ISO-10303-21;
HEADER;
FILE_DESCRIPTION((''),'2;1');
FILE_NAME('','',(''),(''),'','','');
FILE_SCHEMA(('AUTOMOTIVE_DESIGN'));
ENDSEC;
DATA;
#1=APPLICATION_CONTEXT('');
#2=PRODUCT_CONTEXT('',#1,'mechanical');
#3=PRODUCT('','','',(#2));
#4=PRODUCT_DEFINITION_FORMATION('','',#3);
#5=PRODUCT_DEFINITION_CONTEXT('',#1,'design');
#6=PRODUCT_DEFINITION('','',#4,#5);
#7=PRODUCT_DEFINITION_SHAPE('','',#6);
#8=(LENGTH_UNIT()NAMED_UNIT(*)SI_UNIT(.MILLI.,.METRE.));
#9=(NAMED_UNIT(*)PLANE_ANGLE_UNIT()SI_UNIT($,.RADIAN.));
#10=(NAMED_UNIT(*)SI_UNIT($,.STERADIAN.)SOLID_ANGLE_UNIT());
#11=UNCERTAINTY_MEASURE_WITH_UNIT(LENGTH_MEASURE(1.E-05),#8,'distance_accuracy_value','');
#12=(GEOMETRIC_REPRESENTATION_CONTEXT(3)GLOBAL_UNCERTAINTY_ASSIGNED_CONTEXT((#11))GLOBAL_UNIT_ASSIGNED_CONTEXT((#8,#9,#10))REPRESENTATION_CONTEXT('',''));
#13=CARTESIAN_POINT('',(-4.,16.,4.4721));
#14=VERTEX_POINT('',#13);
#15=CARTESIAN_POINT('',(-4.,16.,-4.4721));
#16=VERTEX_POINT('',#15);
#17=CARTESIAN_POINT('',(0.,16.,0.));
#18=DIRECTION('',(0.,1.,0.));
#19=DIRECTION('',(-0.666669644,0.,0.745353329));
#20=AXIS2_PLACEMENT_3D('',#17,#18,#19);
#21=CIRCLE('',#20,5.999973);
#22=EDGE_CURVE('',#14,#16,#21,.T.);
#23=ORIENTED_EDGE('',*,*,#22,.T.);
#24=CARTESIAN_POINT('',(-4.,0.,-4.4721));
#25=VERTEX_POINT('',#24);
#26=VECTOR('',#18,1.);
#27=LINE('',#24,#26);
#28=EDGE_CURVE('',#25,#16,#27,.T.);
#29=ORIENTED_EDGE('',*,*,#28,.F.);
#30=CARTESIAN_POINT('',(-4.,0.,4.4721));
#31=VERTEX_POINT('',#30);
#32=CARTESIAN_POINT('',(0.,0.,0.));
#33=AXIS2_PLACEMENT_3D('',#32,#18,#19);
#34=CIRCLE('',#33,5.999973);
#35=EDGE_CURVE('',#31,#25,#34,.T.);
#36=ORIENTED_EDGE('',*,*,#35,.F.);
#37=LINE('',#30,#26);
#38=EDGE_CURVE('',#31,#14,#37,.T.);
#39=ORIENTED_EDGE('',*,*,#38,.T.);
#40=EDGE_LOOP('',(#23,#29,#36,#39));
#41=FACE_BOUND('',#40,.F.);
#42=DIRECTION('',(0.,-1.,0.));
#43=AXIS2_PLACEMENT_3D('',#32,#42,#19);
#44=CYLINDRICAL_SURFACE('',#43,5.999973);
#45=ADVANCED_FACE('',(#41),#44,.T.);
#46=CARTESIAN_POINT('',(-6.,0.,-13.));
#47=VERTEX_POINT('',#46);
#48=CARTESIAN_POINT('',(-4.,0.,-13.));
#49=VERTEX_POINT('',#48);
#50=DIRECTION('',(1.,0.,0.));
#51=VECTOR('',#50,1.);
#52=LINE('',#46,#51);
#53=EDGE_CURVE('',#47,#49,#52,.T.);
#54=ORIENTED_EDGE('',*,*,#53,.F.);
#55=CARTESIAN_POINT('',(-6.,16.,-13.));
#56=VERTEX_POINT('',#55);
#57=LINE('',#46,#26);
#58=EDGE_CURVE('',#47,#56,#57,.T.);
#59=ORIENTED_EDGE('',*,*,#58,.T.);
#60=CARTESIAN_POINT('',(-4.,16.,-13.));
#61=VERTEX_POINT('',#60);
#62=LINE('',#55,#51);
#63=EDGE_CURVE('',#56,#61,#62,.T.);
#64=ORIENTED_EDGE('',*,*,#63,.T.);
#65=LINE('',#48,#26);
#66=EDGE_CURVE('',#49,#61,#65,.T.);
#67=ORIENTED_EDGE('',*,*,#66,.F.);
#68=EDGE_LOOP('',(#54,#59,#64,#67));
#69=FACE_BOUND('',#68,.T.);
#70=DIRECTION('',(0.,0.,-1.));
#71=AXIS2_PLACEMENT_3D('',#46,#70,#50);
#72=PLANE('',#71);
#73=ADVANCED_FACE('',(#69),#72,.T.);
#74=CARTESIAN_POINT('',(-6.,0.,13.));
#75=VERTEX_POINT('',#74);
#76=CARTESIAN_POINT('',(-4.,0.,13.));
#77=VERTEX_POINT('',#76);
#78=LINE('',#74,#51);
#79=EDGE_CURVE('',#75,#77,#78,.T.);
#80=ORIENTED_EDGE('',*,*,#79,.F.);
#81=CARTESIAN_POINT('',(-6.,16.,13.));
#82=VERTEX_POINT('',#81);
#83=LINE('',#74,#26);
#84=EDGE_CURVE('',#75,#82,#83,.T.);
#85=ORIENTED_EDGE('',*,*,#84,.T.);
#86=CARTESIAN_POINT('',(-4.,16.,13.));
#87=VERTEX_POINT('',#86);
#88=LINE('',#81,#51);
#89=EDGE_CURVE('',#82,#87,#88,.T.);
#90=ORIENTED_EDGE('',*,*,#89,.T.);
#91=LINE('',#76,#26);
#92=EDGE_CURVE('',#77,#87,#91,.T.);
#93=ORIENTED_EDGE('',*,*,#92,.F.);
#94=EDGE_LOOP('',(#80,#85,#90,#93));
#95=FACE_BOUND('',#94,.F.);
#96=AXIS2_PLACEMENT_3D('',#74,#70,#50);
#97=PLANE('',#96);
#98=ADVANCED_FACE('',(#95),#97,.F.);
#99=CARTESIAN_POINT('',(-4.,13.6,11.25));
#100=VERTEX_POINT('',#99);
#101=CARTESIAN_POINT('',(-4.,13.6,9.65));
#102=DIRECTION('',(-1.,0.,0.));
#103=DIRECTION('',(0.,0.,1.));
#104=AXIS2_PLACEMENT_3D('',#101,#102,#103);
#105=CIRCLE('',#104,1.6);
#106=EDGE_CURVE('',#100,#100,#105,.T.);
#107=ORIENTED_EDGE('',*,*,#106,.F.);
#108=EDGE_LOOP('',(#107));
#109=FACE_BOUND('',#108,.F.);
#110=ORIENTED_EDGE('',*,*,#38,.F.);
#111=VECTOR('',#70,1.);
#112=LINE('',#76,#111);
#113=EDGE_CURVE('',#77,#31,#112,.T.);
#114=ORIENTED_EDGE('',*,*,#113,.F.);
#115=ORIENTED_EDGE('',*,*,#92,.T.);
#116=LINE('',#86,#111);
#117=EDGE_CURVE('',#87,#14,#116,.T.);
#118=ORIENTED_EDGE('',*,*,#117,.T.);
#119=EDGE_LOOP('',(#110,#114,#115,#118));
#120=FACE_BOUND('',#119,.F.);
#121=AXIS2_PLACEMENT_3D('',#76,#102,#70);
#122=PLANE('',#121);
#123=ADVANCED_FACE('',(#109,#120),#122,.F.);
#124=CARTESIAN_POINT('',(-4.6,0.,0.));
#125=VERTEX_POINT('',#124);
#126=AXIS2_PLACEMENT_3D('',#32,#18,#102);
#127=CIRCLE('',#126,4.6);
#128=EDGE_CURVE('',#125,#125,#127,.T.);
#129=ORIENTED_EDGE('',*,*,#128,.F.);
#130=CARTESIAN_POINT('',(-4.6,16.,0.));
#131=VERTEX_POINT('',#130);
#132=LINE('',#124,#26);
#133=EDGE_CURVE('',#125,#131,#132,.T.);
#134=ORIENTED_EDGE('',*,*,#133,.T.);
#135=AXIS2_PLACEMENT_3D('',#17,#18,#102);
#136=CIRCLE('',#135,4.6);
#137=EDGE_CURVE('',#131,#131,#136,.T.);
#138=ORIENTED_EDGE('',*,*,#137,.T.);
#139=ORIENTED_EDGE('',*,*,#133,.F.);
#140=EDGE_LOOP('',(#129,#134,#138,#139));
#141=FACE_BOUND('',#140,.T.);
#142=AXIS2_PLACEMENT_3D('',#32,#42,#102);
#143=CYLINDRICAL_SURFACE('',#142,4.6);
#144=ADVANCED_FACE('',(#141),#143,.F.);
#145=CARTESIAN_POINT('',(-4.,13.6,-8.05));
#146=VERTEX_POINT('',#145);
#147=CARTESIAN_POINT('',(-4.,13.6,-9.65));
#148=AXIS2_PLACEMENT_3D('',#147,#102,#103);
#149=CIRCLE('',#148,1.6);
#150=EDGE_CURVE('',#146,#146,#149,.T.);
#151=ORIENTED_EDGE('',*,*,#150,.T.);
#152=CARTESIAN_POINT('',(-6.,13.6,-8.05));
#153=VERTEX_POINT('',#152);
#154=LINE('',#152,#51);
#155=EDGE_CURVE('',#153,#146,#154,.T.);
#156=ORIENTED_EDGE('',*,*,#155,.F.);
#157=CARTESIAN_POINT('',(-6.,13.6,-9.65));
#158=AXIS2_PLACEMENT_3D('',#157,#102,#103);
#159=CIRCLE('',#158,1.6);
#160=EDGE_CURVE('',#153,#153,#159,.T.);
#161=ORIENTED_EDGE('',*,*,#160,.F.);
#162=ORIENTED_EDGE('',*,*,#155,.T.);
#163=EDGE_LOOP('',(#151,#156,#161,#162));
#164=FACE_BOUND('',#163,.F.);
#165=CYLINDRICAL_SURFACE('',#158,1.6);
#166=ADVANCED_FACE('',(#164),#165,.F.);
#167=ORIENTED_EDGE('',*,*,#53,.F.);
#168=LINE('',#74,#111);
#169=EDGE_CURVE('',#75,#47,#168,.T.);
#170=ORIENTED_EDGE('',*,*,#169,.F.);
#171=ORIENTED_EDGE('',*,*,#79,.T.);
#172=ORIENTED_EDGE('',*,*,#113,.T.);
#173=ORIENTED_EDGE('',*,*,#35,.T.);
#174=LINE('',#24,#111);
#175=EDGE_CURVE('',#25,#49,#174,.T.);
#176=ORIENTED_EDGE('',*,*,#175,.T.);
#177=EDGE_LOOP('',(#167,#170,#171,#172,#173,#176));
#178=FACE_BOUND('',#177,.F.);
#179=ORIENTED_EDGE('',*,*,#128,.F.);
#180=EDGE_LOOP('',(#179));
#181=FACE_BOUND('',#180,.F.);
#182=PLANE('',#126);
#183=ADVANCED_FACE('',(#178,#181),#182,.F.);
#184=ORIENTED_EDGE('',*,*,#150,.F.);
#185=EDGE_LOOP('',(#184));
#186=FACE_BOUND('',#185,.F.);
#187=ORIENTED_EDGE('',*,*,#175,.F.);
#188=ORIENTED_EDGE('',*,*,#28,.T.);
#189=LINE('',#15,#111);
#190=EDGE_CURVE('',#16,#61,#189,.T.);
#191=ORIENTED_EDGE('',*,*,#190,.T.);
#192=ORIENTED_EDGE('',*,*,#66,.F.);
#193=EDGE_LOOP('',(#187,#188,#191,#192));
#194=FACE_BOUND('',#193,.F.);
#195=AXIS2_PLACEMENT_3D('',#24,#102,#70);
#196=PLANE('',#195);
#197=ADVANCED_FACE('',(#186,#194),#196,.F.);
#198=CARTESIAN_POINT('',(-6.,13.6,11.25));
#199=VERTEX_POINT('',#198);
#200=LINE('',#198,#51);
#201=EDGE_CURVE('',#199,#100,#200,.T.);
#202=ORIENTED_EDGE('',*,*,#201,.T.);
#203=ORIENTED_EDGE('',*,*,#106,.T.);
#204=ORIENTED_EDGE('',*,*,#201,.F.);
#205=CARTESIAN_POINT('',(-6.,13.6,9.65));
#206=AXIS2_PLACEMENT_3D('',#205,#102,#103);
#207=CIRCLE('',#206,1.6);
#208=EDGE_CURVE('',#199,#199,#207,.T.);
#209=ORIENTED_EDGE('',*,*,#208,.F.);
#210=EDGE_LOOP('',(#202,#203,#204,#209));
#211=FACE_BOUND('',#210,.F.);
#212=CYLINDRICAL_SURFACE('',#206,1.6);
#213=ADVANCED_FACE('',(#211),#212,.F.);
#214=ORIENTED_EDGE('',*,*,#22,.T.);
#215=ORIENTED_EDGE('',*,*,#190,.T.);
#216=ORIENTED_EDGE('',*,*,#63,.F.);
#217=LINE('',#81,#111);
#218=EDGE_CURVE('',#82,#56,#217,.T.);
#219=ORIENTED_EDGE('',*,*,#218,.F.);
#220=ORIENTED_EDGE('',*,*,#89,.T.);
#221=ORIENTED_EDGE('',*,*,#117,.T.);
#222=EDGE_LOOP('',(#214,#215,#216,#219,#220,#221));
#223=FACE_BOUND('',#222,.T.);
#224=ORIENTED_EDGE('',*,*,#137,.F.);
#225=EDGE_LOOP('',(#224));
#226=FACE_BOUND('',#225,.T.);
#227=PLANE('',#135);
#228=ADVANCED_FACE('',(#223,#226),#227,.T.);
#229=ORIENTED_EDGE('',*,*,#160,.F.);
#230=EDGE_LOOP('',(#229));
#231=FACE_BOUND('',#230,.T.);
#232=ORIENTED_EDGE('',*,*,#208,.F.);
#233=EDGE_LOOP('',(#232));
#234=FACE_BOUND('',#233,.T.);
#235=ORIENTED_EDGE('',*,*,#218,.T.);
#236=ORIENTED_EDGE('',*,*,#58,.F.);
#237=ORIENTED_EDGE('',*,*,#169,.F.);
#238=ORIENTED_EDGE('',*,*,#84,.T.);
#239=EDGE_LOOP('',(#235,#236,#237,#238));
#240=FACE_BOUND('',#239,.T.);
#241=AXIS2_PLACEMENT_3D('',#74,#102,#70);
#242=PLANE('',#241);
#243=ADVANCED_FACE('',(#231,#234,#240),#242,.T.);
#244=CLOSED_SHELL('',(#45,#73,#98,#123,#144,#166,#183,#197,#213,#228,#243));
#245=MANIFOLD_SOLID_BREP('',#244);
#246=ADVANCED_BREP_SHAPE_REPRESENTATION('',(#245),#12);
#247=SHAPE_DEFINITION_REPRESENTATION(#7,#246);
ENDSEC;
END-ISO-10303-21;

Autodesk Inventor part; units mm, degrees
ref_plane "YZ Plane" through (0, 0, 0) normal (1, 0, 0) x (0, 1, 0)
ref_plane "XZ Plane" through (0, 0, 0) normal (0, 1, 0) x (-1, 0, 0)
ref_plane "XY Plane" through (0, 0, 0) normal (0, 0, 1) x (1, 0, 0)
sketch "Sketch1" plane through (0, 0, 0) normal (0, 1, 0) x (-1, 0, 0)
  circle A0 centre (0, 0) radius 4.6
  line L0 (6, 13) -> (4, 13)
  line L1 (6, -13) -> (4, -13)
  arc A1 (4, 4.4721) -> (4, -4.4721) centre (0, 0) ccw
  line L2 (4, 13) -> (4, 4.4721)
  line L3 (4, -4.4721) -> (4, -13)
  line L4 (6, 13) -> (6, -13)
  dimension "d0" = 9.2
  dimension "d2" = 26
  dimension "d3" = 2
extrude "Extrusion1" add sketch "Sketch1" along normal blind 16
sketch "Sketch2" plane through (-6, 0, -13) normal (-1, 0, 0) x (0, 0, 1)
  circle A0 centre (3.35, 13.6) radius 1.6
  circle A1 centre (22.65, 13.6) radius 1.6
  line L0 (8.5279, 16) -> (0, 16) projected
  line L1 (0, 16) -> (26, 16) projected
  point P0 (13, 0)
  dimension "d10" = 3.2
  dimension "d11" = 3.2
  dimension "d14" = 2.4
  dimension "d15" = 2.4
extrude "Extrusion2" cut sketch "Sketch2" against normal blind 16
properties part number "Support endStop v2"
